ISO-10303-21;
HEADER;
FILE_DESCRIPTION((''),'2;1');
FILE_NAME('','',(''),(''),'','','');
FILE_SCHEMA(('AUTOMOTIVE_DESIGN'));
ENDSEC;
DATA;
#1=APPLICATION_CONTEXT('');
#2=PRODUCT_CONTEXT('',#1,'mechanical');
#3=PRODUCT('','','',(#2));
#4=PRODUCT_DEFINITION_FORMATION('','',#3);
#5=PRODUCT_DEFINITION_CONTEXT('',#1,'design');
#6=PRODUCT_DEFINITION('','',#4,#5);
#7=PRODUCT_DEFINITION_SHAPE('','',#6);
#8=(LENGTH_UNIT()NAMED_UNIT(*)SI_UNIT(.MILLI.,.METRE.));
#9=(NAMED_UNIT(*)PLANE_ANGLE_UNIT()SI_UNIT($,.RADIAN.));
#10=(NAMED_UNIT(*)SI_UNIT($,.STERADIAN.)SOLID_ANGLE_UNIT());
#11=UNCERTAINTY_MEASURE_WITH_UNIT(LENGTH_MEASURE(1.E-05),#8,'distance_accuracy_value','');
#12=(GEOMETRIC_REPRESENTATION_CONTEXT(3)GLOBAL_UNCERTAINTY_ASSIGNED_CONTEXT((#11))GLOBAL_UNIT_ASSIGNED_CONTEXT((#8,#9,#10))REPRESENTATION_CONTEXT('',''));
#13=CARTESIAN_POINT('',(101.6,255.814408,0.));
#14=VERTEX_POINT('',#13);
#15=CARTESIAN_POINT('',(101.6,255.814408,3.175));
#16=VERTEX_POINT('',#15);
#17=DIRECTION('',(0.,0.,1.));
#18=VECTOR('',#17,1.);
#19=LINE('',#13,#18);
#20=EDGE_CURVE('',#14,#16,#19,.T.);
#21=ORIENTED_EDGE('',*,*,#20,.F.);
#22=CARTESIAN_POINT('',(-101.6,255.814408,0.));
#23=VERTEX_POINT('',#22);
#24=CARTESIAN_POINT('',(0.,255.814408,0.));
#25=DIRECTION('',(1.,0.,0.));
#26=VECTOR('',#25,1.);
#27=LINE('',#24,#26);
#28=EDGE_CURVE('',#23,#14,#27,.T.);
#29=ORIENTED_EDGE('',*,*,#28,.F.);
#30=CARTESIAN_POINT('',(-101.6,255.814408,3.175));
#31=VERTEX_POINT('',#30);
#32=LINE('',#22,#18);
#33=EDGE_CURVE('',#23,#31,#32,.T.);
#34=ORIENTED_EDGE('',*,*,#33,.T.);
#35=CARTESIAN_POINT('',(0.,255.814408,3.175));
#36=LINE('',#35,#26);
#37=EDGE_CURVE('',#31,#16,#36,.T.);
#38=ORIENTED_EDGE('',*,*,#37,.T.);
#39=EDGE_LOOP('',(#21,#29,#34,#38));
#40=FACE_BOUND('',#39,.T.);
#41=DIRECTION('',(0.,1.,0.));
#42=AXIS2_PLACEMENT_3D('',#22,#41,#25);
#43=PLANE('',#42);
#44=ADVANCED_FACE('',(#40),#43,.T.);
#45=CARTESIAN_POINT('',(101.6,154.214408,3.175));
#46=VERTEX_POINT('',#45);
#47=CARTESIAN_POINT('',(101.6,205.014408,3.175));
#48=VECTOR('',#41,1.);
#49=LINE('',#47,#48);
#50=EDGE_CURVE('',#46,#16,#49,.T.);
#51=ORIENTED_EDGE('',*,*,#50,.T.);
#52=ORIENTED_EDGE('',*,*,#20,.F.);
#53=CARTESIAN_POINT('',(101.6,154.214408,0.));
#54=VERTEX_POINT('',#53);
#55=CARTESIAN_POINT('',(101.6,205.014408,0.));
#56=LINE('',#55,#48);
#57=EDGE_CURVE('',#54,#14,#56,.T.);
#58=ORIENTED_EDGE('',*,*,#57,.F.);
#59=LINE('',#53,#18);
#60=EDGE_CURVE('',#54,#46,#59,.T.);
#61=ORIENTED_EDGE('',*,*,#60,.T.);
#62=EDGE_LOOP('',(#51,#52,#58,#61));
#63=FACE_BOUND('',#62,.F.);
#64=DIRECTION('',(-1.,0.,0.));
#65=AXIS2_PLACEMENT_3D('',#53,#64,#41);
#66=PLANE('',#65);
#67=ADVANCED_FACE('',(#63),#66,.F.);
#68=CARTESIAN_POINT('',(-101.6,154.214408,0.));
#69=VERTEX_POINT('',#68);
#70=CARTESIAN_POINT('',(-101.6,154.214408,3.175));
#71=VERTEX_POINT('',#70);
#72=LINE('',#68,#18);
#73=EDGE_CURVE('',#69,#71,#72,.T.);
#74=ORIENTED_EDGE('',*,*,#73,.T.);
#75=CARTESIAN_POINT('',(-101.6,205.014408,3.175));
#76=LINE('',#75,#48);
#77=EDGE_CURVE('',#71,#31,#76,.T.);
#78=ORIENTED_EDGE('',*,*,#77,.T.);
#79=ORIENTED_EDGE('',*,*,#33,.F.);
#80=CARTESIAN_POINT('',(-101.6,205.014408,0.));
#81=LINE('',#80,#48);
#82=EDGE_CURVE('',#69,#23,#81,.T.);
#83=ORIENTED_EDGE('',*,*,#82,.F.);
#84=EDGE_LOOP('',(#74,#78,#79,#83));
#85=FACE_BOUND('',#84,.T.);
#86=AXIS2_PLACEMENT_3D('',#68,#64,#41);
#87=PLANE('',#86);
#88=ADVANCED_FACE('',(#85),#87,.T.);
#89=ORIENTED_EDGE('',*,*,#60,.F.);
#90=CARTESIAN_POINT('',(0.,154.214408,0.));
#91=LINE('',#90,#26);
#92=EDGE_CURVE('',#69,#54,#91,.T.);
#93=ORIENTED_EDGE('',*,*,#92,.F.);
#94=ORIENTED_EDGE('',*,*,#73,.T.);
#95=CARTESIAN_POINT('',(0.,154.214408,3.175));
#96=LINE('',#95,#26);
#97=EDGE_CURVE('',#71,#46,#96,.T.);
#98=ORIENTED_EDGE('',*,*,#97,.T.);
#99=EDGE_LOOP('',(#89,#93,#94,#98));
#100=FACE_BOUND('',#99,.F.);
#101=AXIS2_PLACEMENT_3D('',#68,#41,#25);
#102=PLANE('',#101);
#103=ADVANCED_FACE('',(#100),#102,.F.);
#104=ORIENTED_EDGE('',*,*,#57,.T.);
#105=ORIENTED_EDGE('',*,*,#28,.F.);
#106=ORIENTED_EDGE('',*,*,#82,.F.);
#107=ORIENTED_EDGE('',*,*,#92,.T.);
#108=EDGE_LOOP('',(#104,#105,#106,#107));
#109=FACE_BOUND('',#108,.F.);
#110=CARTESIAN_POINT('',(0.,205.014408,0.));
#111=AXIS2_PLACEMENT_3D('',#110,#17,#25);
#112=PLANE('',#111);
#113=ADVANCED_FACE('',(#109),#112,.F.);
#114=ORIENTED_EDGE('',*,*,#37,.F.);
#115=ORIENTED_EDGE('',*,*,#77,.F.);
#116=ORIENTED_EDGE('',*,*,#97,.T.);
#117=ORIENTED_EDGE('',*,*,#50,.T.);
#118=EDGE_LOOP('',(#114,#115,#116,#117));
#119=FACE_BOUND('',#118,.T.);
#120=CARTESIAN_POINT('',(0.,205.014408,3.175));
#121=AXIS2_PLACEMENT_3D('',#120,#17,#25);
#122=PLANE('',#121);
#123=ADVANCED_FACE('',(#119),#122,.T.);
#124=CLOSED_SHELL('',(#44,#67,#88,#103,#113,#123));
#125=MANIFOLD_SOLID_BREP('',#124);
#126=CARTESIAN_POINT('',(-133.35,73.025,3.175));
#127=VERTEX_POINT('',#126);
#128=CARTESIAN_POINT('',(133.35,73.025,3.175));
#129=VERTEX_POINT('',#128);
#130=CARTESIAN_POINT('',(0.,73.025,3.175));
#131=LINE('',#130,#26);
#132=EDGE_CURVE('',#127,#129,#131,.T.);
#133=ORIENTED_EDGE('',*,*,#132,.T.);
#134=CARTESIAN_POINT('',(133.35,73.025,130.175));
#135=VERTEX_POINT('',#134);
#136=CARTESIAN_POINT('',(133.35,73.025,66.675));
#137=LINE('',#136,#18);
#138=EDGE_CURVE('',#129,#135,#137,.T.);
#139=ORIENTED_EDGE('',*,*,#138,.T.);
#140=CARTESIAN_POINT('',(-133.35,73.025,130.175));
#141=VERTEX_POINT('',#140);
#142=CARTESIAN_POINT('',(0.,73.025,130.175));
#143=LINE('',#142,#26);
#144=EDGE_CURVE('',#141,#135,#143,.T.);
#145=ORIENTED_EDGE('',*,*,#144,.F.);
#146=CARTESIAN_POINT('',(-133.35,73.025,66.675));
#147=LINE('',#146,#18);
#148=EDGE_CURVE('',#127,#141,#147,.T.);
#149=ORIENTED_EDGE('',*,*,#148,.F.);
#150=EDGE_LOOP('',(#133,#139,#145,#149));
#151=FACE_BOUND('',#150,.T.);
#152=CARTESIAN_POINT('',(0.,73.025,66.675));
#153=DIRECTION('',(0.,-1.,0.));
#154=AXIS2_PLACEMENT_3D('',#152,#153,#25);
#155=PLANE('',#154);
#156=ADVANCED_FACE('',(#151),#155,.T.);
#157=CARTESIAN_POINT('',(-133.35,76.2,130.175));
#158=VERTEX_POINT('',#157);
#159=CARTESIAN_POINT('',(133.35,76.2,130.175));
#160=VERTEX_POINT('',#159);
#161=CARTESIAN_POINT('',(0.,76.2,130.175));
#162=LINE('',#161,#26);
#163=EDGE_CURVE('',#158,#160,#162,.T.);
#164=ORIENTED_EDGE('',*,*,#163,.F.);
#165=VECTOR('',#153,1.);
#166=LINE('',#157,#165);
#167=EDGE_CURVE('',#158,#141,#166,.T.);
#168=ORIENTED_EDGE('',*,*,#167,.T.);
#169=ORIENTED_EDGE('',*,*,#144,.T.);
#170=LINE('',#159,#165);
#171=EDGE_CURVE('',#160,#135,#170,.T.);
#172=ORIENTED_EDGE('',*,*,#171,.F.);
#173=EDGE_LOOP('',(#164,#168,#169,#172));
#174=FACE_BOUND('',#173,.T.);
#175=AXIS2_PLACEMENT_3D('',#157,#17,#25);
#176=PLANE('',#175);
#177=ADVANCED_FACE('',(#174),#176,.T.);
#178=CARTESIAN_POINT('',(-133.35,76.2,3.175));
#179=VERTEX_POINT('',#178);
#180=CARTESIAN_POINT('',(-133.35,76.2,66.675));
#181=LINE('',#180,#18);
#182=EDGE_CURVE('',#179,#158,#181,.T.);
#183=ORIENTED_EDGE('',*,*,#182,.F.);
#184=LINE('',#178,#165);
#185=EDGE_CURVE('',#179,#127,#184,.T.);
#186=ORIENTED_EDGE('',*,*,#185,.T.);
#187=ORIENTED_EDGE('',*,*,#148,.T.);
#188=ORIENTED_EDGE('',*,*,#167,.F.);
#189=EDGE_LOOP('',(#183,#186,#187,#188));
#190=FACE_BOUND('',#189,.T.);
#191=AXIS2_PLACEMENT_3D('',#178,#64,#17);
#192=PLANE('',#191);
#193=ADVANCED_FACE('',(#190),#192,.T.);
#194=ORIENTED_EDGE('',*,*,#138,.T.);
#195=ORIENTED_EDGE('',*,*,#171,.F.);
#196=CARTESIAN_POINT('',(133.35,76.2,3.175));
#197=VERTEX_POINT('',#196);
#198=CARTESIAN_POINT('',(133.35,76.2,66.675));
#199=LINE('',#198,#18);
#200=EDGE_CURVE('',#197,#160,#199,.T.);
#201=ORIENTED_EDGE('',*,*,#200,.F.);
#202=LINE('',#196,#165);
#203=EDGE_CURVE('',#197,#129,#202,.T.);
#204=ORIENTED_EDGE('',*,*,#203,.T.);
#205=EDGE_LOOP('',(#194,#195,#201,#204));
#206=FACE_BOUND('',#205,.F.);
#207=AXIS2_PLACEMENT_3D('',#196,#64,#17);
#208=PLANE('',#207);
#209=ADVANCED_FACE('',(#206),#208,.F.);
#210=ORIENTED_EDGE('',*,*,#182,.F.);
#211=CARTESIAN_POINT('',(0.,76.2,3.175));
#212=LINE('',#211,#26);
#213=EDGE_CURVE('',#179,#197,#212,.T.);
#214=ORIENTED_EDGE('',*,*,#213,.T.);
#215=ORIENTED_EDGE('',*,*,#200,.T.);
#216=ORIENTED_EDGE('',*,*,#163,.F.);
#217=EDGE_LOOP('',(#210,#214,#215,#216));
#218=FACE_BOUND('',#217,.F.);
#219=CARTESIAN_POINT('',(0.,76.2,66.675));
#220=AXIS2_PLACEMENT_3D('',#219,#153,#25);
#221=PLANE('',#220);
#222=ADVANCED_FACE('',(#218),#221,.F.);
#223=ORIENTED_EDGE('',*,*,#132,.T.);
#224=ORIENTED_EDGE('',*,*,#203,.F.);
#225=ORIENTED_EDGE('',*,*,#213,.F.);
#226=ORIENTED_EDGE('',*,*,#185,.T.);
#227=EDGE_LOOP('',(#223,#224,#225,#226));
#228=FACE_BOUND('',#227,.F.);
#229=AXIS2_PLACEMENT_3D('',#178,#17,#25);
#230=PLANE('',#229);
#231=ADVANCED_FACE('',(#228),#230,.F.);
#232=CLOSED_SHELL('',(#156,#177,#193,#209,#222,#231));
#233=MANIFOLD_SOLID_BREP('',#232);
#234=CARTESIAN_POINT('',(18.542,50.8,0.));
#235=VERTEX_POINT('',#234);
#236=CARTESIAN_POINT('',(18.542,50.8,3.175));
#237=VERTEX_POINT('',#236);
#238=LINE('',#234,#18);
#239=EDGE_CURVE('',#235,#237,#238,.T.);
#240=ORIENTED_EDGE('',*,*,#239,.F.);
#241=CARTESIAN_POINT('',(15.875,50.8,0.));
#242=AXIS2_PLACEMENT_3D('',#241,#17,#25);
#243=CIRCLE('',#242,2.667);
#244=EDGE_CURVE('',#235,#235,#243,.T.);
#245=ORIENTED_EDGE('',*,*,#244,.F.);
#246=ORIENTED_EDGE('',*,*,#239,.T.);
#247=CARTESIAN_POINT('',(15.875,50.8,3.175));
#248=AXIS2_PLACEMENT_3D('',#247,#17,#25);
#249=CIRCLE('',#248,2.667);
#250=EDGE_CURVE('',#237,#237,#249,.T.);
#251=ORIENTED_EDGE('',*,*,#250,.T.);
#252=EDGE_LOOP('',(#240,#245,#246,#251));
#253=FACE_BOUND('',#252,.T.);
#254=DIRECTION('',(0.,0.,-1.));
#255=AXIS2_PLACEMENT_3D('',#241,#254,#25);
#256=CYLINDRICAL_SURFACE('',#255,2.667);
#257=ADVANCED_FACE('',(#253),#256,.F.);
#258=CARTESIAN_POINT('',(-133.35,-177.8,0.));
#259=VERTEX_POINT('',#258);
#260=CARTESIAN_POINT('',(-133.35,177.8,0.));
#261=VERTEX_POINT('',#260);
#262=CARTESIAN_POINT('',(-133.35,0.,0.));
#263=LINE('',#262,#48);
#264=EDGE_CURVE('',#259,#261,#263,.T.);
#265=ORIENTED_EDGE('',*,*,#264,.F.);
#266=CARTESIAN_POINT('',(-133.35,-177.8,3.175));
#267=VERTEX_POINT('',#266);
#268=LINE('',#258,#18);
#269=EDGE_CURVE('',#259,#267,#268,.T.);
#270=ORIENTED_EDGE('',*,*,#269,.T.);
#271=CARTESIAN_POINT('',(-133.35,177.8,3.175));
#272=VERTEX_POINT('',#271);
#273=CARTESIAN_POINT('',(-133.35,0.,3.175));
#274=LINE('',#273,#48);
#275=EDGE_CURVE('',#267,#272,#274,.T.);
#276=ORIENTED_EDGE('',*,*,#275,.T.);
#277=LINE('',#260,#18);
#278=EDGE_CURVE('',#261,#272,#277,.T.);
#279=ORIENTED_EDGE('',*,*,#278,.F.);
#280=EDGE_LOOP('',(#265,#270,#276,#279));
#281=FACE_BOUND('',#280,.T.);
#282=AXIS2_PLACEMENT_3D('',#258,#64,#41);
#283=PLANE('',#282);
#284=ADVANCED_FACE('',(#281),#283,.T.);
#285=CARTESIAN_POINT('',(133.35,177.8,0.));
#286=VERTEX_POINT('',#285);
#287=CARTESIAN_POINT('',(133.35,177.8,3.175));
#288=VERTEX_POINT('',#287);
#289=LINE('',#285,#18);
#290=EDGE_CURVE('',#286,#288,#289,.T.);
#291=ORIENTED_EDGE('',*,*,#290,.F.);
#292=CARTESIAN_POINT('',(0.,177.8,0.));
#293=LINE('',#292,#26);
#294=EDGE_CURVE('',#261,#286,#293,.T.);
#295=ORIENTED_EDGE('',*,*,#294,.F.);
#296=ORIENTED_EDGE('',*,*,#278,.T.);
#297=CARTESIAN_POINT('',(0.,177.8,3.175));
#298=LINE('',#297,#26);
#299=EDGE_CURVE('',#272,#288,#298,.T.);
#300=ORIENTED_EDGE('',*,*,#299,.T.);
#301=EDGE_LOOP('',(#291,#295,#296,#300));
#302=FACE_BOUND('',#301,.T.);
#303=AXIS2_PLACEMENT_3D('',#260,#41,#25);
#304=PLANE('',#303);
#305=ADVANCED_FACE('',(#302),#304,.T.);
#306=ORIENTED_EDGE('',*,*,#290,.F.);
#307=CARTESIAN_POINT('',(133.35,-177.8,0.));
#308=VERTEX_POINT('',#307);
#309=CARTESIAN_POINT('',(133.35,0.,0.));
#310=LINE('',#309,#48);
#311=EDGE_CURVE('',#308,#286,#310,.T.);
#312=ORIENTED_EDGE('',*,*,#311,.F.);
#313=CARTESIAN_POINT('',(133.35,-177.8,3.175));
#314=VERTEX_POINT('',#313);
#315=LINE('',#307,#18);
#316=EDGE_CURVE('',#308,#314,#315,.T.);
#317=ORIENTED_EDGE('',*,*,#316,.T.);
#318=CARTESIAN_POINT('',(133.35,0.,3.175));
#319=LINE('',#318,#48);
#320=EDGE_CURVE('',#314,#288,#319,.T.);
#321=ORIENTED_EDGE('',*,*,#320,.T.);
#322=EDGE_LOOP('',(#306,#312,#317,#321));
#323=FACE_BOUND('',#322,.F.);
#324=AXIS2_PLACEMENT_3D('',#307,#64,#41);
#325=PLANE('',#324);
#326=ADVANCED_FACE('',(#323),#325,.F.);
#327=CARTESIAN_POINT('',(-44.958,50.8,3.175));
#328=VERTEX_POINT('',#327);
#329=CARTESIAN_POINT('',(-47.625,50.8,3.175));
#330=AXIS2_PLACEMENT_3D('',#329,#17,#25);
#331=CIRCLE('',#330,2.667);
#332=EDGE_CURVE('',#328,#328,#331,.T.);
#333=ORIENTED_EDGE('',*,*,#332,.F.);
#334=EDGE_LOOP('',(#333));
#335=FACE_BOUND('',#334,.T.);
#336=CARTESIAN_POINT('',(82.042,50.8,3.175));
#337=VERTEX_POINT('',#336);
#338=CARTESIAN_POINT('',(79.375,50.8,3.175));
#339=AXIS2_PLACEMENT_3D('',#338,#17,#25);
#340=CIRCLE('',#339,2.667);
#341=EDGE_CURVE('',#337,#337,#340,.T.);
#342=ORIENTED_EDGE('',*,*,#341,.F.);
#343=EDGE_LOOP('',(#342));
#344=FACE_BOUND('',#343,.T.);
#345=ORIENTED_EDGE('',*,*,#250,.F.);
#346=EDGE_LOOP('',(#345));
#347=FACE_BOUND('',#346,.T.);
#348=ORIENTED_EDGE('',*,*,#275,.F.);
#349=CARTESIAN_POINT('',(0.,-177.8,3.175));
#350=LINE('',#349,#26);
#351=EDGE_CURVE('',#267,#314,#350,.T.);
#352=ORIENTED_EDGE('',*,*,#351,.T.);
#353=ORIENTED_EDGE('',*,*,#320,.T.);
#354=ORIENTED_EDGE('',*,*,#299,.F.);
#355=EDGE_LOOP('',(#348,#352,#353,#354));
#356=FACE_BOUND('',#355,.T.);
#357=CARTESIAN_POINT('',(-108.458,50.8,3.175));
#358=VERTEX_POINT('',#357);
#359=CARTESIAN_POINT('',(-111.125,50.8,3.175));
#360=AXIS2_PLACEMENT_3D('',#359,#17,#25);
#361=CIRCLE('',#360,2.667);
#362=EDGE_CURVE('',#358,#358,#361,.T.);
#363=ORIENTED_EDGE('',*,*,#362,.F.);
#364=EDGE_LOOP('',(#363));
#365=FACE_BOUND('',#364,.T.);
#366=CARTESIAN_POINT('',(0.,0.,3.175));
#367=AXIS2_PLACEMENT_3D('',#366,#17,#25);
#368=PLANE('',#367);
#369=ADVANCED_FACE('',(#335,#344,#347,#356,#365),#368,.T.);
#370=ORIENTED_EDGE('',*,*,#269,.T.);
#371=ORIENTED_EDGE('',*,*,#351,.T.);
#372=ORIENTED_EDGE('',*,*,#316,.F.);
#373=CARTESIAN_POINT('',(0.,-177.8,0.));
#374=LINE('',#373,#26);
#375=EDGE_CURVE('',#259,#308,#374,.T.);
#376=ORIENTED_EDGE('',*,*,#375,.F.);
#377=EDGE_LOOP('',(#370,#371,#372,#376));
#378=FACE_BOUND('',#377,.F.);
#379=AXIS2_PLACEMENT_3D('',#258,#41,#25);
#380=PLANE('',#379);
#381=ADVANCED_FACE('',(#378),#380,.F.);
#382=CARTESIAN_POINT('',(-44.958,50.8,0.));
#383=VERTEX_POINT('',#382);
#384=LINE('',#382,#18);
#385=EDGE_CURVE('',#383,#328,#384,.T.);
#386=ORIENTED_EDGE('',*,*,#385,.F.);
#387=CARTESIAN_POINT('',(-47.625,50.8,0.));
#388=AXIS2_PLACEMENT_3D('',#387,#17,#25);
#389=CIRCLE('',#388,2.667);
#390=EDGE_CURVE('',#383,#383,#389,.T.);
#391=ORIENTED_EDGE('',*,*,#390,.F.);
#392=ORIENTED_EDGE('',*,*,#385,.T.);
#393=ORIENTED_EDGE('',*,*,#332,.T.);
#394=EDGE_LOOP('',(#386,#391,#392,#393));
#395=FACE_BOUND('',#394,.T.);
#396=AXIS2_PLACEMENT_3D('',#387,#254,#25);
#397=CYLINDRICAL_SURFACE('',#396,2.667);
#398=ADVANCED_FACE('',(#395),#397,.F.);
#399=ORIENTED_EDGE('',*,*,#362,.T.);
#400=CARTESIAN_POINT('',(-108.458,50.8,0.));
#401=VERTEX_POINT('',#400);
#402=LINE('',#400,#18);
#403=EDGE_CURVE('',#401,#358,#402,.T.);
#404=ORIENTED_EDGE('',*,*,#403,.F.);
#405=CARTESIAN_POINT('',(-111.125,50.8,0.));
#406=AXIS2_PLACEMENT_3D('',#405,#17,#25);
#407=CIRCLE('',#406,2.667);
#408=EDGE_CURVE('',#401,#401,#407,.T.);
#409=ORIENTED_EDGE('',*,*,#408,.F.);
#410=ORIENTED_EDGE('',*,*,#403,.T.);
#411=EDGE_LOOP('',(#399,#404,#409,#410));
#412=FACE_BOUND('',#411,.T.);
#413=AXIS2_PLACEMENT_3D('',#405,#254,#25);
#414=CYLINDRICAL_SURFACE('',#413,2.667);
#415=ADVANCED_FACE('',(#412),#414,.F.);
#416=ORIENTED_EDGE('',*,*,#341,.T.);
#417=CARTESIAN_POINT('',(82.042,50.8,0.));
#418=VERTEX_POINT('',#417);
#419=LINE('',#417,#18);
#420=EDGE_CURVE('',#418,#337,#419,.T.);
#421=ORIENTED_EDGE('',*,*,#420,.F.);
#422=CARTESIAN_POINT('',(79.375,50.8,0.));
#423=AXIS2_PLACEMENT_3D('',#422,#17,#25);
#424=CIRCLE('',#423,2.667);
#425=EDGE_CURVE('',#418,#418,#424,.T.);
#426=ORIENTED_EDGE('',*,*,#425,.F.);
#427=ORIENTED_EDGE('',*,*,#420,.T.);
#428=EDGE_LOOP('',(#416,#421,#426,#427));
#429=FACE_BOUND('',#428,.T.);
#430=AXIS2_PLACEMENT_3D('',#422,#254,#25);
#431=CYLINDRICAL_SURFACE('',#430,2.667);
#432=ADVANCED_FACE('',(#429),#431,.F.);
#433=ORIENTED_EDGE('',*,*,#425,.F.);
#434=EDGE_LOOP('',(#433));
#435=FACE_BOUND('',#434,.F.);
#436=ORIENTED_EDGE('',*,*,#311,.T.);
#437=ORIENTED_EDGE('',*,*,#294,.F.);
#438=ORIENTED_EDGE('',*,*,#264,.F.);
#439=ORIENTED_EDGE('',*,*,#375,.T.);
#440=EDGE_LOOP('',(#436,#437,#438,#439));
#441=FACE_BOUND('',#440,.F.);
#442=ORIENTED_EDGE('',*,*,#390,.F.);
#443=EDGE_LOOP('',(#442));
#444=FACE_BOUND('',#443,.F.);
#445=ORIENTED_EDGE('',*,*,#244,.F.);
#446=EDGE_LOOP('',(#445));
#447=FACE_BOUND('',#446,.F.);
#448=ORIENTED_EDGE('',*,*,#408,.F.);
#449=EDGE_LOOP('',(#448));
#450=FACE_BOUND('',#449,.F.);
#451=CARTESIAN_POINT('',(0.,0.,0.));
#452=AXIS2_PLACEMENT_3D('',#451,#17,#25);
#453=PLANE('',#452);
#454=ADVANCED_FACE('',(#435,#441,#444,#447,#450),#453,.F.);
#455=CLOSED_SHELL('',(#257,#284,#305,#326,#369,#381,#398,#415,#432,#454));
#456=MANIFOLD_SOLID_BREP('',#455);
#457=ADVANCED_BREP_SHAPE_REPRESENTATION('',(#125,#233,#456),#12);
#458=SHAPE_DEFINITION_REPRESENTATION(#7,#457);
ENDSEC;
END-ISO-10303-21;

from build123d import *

# Parameters (mm, degrees)
F0_W     = 266.7
F0_H     = 355.6
F0_R     = 2.667
F1_DEPTH = 3.175
F2_W     = 203.2
F2_H     = 101.6
F3_DEPTH = 3.175
F5_W     = 266.7
F5_H     = 127
F6_DEPTH = 3.175


with BuildPart() as f1:
    # F0 (on Top) → F1 (new body)
    with BuildSketch(Plane.XY):
        Rectangle(F0_W, F0_H)
        with Locations((-111.125, 50.8)):
            Circle(F0_R, mode=Mode.SUBTRACT)
        with Locations((-47.625, 50.8)):
            Circle(F0_R, mode=Mode.SUBTRACT)
        with Locations((15.875, 50.8)):
            Circle(F0_R, mode=Mode.SUBTRACT)
        with Locations((79.375, 50.8)):
            Circle(F0_R, mode=Mode.SUBTRACT)
    extrude(amount=F1_DEPTH)


with BuildPart() as f3:
    # F2 (on Top) → F3 (new body)
    with BuildSketch(Plane.XY):
        with Locations((0, 205.014408)):
            Rectangle(F2_W, F2_H)
    extrude(amount=F3_DEPTH)


with BuildPart() as f6:
    # F5 (on offset) → F6 (new body)
    with BuildSketch(Plane.XZ.offset(-76.2)):
        with Locations((0, 66.675)):
            Rectangle(F5_W, F5_H)
    extrude(amount=F6_DEPTH)


solid = Compound([f1.part, f3.part, f6.part])
